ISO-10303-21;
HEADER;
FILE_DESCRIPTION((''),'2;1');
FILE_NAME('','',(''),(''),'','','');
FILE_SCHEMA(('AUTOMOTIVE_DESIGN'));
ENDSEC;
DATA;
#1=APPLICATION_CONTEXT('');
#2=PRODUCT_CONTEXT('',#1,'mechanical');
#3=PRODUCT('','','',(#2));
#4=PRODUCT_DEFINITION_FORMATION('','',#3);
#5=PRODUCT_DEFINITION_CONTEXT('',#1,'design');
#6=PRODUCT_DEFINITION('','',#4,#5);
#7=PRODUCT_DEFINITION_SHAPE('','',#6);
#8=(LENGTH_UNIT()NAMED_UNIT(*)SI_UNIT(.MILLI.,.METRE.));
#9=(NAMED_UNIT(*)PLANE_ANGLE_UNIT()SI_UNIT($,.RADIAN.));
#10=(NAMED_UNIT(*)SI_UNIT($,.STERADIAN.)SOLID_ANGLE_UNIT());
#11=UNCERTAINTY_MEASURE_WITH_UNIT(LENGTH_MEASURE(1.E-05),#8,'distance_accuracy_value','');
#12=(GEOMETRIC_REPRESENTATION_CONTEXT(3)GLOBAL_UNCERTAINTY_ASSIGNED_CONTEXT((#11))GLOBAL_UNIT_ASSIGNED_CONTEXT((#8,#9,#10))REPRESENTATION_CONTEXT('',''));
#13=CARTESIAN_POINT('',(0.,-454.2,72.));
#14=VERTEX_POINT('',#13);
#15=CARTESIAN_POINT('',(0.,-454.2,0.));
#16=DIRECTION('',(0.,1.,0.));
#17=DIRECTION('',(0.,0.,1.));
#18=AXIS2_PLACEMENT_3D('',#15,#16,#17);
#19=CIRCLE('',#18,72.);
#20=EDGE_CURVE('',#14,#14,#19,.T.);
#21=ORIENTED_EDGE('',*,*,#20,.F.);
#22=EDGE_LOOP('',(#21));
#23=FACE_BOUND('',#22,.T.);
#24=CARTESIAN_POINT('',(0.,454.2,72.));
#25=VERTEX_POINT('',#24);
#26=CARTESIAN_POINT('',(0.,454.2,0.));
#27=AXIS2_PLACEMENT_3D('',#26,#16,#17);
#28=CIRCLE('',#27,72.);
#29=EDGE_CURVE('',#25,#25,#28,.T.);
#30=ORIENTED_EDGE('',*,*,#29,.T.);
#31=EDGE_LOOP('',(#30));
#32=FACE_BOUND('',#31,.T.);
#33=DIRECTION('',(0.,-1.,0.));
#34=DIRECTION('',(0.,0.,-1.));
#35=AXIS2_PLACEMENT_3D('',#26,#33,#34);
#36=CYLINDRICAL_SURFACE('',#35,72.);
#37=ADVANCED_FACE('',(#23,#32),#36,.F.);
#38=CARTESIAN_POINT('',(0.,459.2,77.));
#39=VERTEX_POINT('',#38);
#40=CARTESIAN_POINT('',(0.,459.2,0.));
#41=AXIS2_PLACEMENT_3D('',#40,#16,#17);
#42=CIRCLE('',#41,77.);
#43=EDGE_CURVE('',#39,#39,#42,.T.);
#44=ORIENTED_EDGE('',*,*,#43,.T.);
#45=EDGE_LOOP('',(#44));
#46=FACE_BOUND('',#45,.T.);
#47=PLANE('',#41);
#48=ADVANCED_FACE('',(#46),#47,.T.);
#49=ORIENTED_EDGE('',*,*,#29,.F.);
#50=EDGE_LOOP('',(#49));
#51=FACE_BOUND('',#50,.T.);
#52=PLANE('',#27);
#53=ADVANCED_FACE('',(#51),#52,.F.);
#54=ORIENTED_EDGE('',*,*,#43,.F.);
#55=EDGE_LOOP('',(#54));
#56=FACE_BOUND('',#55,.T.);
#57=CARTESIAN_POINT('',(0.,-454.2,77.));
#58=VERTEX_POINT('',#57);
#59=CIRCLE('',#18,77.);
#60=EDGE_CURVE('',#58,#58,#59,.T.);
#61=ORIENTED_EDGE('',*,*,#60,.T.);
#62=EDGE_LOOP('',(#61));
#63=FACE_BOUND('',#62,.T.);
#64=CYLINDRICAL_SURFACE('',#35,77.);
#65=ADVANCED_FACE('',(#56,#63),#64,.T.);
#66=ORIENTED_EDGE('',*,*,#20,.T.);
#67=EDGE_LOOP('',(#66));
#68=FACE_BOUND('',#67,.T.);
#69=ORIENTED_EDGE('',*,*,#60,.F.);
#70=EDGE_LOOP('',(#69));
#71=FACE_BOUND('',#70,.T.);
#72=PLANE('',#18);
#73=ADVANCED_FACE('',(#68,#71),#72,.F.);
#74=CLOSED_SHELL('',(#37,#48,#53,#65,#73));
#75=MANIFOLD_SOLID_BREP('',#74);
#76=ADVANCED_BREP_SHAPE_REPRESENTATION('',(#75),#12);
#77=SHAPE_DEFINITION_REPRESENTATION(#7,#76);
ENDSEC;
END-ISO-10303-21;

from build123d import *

# Parameters (mm, degrees)
SKETCH1_R      = 77
SKETCH1_R_2    = 72
EXTRUDE1_DEPTH = 454.2
SKETCH2_R      = 77
EXTRUDE2_DEPTH = 5


with BuildPart() as part:
    # Sketch1 → Extrude1 (new body, symmetric)
    with BuildSketch(Plane(origin=(0, 0, 0), x_dir=(1, 0, 0), z_dir=(0, 1, 0))):
        with Locations(Location((0, 0, 0), (0, 0, 270))):  # turned: the seam where the file's is
            Circle(SKETCH1_R)
        with Locations(Location((0, 0, 0), (0, 0, 270))):  # turned: the seam where the file's is
            Circle(SKETCH1_R_2, mode=Mode.SUBTRACT)
    extrude(amount=EXTRUDE1_DEPTH, both=True)

    # Sketch2 → Extrude2 (add)
    with BuildSketch(Plane(origin=(0, 454.2, 0), x_dir=(1, 0, 0), z_dir=(0, 1, 0))):
        with Locations(Location((0, 0, 0), (0, 0, 270))):  # turned: the seam where the file's is
            Circle(SKETCH2_R)
    extrude(amount=EXTRUDE2_DEPTH)


solid = part.part
